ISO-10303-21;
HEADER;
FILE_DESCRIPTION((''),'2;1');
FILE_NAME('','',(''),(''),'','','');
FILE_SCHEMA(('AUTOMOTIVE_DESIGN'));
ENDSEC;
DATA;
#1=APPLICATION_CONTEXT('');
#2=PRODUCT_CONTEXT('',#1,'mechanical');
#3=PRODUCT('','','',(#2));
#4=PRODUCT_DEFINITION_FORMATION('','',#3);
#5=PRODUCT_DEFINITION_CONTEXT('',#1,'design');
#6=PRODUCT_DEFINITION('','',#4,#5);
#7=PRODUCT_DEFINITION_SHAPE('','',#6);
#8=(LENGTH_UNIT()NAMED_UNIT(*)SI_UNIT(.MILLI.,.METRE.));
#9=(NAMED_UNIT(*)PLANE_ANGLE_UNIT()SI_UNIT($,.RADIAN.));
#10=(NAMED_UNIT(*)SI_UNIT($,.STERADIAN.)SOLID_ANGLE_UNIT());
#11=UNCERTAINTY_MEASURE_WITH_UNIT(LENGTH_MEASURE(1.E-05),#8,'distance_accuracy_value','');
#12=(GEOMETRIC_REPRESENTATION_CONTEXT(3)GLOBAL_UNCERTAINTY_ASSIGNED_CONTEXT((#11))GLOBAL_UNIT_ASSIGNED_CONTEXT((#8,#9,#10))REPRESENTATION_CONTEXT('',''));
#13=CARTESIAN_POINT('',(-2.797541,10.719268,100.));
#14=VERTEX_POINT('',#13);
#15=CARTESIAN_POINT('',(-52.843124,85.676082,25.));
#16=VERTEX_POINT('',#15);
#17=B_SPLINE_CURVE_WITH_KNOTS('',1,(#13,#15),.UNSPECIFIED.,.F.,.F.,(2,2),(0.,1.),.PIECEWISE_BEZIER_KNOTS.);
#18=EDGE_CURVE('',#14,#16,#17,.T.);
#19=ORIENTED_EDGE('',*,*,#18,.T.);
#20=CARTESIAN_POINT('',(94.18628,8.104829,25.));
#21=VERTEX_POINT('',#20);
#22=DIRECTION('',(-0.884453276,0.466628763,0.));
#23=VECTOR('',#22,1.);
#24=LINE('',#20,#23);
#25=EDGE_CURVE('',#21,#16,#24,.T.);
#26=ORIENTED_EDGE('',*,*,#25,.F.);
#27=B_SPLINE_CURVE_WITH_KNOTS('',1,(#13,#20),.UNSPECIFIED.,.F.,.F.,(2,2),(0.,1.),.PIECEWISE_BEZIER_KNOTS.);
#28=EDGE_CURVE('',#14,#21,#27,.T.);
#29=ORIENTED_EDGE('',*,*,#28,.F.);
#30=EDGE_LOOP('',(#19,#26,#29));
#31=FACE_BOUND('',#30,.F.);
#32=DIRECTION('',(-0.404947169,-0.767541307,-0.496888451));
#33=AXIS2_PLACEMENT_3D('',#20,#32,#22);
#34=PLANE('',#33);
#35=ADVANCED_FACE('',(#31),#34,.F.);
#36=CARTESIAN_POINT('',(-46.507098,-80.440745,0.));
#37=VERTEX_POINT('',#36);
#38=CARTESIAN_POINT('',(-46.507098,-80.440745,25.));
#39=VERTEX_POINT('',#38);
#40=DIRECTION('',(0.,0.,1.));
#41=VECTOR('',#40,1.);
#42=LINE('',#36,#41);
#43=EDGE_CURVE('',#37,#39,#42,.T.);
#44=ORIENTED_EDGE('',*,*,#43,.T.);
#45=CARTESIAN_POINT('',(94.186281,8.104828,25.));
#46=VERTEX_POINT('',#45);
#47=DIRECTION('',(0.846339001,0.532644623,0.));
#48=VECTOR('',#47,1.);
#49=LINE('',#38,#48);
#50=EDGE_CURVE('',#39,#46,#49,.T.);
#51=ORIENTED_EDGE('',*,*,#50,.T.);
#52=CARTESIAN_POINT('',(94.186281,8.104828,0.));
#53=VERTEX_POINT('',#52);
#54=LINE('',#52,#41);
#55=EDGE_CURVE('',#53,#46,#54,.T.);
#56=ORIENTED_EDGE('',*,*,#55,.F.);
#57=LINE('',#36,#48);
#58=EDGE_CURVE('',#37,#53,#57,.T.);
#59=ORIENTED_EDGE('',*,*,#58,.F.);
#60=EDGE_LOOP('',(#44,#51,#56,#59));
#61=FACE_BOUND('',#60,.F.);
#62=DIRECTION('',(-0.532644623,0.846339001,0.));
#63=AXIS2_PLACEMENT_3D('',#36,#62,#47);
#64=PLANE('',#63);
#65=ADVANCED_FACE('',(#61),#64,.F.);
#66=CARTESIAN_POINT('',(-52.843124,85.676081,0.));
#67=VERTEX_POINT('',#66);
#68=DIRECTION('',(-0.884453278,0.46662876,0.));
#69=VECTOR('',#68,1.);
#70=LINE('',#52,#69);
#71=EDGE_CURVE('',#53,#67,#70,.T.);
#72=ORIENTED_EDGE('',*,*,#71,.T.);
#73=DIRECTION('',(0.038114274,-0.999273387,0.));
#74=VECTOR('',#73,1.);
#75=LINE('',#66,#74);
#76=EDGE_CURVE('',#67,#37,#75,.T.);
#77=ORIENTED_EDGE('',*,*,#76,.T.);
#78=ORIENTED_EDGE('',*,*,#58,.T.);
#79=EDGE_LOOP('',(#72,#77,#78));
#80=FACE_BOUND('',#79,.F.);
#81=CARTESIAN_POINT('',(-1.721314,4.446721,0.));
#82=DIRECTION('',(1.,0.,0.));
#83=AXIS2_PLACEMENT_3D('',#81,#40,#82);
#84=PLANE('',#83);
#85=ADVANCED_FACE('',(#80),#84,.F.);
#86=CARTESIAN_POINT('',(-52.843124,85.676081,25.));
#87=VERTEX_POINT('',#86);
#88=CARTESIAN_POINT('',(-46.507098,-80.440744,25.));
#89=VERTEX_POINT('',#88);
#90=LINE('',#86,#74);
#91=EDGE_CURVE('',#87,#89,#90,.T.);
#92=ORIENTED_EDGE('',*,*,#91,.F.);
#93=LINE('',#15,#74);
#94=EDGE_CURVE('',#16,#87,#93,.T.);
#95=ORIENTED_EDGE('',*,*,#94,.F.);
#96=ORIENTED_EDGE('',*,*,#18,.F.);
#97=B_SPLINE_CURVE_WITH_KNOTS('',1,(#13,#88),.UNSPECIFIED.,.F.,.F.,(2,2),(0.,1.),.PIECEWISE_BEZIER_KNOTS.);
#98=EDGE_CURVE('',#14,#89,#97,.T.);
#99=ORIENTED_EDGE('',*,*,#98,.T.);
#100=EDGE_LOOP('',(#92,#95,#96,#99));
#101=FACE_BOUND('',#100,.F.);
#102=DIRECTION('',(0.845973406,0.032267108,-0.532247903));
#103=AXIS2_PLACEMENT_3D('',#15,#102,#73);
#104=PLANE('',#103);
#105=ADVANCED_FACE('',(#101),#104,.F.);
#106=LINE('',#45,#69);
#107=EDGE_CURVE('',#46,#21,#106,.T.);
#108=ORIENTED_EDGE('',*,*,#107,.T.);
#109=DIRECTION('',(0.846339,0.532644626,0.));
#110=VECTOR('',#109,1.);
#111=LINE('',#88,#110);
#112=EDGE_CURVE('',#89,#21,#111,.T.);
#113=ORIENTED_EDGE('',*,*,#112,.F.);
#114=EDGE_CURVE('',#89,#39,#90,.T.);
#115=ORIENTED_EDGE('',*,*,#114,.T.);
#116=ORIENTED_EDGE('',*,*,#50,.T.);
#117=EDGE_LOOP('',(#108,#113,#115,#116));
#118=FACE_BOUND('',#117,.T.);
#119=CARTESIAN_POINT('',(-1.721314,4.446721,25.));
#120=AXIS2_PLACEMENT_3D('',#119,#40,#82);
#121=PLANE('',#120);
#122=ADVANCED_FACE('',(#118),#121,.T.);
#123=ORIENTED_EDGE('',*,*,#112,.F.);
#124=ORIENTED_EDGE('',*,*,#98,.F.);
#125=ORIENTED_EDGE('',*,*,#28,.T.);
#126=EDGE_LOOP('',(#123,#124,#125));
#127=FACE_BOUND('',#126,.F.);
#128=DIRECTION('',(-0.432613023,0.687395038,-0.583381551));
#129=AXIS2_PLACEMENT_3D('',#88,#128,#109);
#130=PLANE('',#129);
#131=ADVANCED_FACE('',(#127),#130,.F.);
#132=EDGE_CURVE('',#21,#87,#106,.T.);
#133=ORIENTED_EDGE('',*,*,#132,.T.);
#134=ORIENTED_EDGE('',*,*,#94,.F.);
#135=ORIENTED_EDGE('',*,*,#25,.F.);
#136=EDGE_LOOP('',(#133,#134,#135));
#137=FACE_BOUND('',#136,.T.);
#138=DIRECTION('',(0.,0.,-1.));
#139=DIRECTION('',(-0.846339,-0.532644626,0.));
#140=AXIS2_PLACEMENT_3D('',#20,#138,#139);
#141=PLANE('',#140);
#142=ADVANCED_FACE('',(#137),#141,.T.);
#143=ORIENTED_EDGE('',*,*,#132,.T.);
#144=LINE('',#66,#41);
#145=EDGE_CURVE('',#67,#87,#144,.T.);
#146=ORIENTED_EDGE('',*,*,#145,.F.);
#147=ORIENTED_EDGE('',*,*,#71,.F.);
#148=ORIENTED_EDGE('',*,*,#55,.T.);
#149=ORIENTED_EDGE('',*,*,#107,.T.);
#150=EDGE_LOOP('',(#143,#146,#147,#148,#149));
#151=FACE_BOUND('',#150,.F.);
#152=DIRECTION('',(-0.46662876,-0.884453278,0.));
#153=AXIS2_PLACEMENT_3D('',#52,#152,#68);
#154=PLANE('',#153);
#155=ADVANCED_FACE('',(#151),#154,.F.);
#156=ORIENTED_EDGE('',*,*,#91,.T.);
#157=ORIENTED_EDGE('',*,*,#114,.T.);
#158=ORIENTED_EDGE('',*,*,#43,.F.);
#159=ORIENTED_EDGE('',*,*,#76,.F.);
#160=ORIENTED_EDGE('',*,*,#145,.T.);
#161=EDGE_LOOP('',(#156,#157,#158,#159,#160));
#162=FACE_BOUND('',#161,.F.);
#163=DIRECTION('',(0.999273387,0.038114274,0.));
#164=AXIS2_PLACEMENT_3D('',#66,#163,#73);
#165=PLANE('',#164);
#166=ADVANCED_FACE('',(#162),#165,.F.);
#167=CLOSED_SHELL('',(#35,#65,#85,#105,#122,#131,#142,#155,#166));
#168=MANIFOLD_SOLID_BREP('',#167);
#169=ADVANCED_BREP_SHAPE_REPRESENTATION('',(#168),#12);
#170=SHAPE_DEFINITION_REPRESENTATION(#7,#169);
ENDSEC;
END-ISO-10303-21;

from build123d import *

# Parameters (mm, degrees)
F1_DEPTH = 25


with BuildPart() as f1:
    # F0 (on Top) → F1 (new body)
    with BuildSketch(Plane.XY):
        Polygon((-52.843124, 85.676081), (-46.507098, -80.440745), (94.186281, 8.104828), align=None)
    extrude(amount=F1_DEPTH)

    # F1_face (on face) → F4 section 0
    with BuildSketch(Plane(origin=(-1.721314, 4.446722, 25), x_dir=(1, 0, 0), z_dir=(0, 0, 1)), mode=Mode.PRIVATE) as f4_s0:
        Polygon((95.907594, 3.658107), (-51.12181, 81.22936), (-44.785784, -84.887466), align=None)
    loft([Vertex(-2.797541, 10.719268, 100), f4_s0.sketch])


solid = f1.part
